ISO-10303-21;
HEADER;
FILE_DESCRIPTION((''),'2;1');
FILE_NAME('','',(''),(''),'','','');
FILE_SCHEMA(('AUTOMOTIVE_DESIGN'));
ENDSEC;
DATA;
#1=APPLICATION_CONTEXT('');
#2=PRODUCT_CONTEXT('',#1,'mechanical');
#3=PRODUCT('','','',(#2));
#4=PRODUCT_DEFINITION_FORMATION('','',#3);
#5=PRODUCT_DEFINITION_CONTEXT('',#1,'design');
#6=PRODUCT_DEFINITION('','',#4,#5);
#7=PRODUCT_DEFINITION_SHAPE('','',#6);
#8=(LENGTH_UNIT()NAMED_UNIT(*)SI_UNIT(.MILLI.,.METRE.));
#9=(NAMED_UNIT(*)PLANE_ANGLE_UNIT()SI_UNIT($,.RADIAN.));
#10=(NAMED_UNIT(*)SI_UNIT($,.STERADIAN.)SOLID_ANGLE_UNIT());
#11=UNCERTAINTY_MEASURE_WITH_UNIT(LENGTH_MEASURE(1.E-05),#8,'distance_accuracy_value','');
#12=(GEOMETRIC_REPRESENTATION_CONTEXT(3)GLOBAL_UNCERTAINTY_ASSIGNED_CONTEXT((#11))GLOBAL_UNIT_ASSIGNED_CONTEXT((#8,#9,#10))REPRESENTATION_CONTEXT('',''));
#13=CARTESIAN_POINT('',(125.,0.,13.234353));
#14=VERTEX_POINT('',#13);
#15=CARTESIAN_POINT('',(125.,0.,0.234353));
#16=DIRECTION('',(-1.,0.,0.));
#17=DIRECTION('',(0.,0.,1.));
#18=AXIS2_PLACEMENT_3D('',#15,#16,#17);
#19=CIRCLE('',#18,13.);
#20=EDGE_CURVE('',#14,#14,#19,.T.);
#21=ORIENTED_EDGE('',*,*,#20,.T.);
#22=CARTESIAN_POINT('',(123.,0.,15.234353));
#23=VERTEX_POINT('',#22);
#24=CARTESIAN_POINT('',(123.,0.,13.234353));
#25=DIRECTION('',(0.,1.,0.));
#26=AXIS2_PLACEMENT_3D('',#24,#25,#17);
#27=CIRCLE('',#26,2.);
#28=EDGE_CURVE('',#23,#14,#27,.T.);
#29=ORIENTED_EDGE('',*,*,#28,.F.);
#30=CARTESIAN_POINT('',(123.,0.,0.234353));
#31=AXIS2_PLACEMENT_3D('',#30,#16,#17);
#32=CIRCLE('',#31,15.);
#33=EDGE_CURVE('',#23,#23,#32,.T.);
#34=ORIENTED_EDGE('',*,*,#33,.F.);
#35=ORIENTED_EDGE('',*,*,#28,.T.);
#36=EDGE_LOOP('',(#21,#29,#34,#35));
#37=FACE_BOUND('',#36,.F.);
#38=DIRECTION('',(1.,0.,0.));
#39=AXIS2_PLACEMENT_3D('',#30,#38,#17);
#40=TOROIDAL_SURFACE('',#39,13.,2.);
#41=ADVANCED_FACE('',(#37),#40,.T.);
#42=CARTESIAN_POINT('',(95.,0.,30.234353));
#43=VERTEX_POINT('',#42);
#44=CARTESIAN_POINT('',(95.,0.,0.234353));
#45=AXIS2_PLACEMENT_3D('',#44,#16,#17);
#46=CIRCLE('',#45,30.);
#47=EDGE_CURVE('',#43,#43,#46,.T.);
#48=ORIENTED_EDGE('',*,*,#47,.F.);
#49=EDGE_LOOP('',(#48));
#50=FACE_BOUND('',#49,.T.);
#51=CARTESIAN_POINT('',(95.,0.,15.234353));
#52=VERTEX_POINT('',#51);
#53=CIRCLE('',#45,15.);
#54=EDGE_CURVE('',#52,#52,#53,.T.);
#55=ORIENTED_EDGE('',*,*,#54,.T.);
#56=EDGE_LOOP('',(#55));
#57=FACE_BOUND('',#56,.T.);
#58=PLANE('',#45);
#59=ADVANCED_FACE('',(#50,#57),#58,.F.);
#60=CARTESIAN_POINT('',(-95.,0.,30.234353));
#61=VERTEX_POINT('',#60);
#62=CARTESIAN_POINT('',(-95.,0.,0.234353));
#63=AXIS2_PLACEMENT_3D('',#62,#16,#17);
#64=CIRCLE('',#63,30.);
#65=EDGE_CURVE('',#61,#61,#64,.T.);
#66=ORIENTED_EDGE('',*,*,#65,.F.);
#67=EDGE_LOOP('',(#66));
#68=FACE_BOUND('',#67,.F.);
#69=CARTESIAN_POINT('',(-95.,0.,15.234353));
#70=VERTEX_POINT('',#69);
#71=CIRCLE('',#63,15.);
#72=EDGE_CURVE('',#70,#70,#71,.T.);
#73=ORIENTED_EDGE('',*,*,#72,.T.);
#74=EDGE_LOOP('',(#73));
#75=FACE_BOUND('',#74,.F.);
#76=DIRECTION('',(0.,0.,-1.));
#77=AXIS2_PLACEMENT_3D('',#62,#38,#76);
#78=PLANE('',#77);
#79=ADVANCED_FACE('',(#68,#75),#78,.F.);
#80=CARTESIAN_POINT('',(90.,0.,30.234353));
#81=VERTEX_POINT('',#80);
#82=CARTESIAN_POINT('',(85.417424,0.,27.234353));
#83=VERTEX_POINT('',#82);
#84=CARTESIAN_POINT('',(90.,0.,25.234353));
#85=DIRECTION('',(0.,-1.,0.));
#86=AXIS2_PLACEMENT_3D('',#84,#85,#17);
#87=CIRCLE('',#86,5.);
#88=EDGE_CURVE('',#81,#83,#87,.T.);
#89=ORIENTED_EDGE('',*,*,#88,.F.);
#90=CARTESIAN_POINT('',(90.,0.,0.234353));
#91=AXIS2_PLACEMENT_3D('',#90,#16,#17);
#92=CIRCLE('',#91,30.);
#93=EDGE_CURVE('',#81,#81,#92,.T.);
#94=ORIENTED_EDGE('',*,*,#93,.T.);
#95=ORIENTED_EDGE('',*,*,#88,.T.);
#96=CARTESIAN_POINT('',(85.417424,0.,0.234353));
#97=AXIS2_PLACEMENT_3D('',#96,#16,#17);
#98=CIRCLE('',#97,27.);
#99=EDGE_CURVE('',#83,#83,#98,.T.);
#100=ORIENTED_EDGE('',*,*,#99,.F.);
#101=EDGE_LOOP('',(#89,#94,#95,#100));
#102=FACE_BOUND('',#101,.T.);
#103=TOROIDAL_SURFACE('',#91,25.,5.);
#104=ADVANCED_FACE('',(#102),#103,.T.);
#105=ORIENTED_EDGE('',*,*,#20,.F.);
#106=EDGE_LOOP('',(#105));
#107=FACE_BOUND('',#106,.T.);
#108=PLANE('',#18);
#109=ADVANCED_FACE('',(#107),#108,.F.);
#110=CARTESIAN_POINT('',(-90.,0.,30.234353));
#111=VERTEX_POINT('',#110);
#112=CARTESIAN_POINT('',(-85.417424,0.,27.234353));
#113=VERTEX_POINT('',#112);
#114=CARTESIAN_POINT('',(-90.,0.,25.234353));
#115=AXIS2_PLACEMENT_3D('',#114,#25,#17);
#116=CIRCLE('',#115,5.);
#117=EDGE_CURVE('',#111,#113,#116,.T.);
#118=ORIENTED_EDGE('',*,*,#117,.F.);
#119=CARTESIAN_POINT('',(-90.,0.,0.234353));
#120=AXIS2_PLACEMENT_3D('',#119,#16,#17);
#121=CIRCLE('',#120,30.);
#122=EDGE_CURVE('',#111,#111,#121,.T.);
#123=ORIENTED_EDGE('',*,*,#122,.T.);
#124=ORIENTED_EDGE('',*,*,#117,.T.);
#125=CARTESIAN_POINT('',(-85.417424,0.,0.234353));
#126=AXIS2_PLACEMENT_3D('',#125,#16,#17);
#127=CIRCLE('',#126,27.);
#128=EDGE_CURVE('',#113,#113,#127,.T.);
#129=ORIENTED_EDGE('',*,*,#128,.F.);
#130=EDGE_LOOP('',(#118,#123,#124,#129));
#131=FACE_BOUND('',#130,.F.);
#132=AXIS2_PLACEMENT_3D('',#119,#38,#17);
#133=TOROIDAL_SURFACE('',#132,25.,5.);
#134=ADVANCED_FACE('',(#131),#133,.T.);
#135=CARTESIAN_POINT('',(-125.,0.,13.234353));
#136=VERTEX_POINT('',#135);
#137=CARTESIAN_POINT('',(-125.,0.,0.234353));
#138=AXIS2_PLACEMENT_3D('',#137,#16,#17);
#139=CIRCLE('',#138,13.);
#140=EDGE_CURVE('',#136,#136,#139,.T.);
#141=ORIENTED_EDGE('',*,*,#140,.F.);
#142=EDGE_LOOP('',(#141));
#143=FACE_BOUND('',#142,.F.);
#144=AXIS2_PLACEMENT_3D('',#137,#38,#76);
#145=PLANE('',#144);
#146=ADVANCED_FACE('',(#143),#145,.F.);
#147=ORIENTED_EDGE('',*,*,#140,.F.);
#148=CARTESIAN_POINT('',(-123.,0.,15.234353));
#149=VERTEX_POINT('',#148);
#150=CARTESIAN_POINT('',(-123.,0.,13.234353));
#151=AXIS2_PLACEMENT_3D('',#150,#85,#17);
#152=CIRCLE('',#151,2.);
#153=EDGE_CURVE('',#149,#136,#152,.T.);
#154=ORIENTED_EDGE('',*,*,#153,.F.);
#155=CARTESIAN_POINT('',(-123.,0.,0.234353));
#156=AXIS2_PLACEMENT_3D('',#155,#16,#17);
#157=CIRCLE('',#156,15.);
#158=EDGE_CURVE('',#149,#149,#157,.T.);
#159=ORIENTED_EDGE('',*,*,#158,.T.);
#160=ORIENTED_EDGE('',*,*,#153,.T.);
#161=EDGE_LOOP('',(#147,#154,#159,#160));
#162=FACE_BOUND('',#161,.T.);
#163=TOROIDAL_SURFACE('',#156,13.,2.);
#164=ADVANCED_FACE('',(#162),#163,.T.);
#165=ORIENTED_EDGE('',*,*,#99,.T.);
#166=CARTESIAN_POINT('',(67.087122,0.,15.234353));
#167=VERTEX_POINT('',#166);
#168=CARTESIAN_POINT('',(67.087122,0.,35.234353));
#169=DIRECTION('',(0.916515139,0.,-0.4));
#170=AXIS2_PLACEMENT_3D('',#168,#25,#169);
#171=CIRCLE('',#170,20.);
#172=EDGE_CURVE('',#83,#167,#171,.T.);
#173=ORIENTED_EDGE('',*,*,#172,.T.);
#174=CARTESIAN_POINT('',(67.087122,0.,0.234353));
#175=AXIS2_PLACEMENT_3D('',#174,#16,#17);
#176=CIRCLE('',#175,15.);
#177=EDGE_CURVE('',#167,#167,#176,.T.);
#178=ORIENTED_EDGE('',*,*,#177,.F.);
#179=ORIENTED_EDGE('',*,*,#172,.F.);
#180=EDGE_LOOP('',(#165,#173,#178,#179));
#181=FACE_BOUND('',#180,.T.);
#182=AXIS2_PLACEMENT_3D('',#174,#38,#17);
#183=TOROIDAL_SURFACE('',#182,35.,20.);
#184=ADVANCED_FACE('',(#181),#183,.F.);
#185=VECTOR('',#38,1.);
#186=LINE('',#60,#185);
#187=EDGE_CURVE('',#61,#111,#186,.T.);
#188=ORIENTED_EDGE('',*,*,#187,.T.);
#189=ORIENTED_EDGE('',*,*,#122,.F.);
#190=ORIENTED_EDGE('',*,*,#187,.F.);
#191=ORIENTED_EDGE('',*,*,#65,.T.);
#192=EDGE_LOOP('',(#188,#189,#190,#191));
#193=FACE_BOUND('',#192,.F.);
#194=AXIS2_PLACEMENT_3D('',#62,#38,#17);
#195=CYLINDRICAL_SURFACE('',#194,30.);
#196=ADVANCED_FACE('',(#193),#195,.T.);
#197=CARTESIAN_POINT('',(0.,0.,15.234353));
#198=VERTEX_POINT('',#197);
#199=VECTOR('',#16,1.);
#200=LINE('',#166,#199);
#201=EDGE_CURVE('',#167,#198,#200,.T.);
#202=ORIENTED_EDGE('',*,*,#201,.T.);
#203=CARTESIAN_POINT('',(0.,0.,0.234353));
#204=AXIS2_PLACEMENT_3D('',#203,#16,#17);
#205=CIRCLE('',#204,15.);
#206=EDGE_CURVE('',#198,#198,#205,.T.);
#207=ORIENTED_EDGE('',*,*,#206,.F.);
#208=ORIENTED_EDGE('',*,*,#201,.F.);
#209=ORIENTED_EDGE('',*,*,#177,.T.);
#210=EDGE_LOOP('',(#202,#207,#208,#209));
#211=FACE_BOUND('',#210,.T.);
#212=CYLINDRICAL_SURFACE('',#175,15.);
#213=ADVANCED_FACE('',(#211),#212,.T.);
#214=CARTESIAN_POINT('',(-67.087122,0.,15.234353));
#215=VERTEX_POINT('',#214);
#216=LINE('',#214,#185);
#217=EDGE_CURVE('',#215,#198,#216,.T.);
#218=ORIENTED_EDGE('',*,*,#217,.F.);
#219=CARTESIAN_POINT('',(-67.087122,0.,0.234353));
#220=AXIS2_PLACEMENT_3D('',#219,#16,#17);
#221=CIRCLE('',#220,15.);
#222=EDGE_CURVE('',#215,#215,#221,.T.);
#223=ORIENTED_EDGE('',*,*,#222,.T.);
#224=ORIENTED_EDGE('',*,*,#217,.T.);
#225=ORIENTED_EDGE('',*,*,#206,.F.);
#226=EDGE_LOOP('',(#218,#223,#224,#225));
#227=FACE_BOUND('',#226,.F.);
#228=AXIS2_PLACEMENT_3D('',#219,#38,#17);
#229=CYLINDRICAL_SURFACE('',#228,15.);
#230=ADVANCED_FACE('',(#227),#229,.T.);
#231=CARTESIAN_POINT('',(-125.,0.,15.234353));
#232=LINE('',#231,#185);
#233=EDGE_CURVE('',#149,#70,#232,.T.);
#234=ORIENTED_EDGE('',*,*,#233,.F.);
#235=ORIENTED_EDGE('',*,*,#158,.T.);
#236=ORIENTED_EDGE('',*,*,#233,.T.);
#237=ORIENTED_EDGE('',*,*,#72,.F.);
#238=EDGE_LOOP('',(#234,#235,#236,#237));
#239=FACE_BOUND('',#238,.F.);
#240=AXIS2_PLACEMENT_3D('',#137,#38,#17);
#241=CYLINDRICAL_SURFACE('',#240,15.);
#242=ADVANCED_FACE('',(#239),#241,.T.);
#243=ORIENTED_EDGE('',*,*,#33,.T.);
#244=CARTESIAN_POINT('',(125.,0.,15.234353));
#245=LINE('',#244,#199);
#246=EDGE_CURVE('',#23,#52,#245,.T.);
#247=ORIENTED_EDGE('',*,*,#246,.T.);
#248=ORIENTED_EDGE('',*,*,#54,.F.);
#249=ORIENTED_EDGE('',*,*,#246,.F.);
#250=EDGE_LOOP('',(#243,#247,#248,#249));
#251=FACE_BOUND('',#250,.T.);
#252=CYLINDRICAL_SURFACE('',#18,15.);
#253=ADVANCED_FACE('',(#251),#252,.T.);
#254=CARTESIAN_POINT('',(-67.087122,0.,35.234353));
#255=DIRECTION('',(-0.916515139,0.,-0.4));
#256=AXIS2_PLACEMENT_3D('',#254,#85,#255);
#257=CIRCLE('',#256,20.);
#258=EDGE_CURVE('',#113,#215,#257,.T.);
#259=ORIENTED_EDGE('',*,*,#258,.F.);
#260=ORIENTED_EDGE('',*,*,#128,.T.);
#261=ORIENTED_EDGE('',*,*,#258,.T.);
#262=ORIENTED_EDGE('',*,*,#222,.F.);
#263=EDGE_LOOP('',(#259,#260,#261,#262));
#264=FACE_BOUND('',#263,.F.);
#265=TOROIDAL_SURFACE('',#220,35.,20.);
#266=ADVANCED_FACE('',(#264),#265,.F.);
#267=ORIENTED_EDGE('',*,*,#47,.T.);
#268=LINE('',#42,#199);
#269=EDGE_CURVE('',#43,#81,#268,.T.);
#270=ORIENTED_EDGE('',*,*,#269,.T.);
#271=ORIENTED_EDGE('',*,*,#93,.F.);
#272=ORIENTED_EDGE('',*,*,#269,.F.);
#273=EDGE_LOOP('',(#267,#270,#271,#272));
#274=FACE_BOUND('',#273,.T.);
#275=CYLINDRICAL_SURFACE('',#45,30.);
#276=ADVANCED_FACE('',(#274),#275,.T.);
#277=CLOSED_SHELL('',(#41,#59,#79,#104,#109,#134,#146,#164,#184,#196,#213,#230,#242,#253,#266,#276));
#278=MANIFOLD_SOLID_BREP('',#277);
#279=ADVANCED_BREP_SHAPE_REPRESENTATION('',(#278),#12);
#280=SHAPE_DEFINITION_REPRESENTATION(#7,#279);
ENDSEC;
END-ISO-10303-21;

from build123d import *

# Parameters (mm, degrees)
F3_R = 2


with BuildPart() as f1:
    # F0 (on Front) → F1 (revolve)
    with BuildSketch(Plane.XZ):
        with BuildLine():
            Line((67.0871215252, 15.234352517), (0, 15.234352517))
            Line((0, 15.234352517), (0, 0.234352517))
            Line((0, 0.234352517), (125, 0.234352517))
            Line((125, 0.234352517), (125, 15.234352517))
            Line((125, 15.234352517), (95, 15.234352517))
            Line((95, 15.234352517), (95, 30.234352517))
            Line((95, 30.234352517), (90, 30.234352517))
            ThreePointArc((90, 30.234352517), (87.2613872125, 29.4176526497), (85.417424305, 27.234352517))
            ThreePointArc((85.417424305, 27.234352517), (78.0415726753, 18.5011519863), (67.0871215252, 15.234352517))
        make_face()
    revolve(axis=Axis((62.5, 0, 0.234352517), (-1, 0, 0)))

    # F2: F1 across face


with BuildPart() as f1_1:
    add(f1.part)
    add(f1.part.mirror(Plane(origin=(0, 0, 0.234352517), x_dir=(0, -1, 0), z_dir=(-1, 0, 0))))

    # F3
    f3_edges = [f1_1.edges().sort_by_distance(p)[0] for p in [
        (-125, 0, -14.765647),
        (125, 0, -14.765647),
    ]]
    fillet(f3_edges, radius=F3_R)


solid = f1_1.part
